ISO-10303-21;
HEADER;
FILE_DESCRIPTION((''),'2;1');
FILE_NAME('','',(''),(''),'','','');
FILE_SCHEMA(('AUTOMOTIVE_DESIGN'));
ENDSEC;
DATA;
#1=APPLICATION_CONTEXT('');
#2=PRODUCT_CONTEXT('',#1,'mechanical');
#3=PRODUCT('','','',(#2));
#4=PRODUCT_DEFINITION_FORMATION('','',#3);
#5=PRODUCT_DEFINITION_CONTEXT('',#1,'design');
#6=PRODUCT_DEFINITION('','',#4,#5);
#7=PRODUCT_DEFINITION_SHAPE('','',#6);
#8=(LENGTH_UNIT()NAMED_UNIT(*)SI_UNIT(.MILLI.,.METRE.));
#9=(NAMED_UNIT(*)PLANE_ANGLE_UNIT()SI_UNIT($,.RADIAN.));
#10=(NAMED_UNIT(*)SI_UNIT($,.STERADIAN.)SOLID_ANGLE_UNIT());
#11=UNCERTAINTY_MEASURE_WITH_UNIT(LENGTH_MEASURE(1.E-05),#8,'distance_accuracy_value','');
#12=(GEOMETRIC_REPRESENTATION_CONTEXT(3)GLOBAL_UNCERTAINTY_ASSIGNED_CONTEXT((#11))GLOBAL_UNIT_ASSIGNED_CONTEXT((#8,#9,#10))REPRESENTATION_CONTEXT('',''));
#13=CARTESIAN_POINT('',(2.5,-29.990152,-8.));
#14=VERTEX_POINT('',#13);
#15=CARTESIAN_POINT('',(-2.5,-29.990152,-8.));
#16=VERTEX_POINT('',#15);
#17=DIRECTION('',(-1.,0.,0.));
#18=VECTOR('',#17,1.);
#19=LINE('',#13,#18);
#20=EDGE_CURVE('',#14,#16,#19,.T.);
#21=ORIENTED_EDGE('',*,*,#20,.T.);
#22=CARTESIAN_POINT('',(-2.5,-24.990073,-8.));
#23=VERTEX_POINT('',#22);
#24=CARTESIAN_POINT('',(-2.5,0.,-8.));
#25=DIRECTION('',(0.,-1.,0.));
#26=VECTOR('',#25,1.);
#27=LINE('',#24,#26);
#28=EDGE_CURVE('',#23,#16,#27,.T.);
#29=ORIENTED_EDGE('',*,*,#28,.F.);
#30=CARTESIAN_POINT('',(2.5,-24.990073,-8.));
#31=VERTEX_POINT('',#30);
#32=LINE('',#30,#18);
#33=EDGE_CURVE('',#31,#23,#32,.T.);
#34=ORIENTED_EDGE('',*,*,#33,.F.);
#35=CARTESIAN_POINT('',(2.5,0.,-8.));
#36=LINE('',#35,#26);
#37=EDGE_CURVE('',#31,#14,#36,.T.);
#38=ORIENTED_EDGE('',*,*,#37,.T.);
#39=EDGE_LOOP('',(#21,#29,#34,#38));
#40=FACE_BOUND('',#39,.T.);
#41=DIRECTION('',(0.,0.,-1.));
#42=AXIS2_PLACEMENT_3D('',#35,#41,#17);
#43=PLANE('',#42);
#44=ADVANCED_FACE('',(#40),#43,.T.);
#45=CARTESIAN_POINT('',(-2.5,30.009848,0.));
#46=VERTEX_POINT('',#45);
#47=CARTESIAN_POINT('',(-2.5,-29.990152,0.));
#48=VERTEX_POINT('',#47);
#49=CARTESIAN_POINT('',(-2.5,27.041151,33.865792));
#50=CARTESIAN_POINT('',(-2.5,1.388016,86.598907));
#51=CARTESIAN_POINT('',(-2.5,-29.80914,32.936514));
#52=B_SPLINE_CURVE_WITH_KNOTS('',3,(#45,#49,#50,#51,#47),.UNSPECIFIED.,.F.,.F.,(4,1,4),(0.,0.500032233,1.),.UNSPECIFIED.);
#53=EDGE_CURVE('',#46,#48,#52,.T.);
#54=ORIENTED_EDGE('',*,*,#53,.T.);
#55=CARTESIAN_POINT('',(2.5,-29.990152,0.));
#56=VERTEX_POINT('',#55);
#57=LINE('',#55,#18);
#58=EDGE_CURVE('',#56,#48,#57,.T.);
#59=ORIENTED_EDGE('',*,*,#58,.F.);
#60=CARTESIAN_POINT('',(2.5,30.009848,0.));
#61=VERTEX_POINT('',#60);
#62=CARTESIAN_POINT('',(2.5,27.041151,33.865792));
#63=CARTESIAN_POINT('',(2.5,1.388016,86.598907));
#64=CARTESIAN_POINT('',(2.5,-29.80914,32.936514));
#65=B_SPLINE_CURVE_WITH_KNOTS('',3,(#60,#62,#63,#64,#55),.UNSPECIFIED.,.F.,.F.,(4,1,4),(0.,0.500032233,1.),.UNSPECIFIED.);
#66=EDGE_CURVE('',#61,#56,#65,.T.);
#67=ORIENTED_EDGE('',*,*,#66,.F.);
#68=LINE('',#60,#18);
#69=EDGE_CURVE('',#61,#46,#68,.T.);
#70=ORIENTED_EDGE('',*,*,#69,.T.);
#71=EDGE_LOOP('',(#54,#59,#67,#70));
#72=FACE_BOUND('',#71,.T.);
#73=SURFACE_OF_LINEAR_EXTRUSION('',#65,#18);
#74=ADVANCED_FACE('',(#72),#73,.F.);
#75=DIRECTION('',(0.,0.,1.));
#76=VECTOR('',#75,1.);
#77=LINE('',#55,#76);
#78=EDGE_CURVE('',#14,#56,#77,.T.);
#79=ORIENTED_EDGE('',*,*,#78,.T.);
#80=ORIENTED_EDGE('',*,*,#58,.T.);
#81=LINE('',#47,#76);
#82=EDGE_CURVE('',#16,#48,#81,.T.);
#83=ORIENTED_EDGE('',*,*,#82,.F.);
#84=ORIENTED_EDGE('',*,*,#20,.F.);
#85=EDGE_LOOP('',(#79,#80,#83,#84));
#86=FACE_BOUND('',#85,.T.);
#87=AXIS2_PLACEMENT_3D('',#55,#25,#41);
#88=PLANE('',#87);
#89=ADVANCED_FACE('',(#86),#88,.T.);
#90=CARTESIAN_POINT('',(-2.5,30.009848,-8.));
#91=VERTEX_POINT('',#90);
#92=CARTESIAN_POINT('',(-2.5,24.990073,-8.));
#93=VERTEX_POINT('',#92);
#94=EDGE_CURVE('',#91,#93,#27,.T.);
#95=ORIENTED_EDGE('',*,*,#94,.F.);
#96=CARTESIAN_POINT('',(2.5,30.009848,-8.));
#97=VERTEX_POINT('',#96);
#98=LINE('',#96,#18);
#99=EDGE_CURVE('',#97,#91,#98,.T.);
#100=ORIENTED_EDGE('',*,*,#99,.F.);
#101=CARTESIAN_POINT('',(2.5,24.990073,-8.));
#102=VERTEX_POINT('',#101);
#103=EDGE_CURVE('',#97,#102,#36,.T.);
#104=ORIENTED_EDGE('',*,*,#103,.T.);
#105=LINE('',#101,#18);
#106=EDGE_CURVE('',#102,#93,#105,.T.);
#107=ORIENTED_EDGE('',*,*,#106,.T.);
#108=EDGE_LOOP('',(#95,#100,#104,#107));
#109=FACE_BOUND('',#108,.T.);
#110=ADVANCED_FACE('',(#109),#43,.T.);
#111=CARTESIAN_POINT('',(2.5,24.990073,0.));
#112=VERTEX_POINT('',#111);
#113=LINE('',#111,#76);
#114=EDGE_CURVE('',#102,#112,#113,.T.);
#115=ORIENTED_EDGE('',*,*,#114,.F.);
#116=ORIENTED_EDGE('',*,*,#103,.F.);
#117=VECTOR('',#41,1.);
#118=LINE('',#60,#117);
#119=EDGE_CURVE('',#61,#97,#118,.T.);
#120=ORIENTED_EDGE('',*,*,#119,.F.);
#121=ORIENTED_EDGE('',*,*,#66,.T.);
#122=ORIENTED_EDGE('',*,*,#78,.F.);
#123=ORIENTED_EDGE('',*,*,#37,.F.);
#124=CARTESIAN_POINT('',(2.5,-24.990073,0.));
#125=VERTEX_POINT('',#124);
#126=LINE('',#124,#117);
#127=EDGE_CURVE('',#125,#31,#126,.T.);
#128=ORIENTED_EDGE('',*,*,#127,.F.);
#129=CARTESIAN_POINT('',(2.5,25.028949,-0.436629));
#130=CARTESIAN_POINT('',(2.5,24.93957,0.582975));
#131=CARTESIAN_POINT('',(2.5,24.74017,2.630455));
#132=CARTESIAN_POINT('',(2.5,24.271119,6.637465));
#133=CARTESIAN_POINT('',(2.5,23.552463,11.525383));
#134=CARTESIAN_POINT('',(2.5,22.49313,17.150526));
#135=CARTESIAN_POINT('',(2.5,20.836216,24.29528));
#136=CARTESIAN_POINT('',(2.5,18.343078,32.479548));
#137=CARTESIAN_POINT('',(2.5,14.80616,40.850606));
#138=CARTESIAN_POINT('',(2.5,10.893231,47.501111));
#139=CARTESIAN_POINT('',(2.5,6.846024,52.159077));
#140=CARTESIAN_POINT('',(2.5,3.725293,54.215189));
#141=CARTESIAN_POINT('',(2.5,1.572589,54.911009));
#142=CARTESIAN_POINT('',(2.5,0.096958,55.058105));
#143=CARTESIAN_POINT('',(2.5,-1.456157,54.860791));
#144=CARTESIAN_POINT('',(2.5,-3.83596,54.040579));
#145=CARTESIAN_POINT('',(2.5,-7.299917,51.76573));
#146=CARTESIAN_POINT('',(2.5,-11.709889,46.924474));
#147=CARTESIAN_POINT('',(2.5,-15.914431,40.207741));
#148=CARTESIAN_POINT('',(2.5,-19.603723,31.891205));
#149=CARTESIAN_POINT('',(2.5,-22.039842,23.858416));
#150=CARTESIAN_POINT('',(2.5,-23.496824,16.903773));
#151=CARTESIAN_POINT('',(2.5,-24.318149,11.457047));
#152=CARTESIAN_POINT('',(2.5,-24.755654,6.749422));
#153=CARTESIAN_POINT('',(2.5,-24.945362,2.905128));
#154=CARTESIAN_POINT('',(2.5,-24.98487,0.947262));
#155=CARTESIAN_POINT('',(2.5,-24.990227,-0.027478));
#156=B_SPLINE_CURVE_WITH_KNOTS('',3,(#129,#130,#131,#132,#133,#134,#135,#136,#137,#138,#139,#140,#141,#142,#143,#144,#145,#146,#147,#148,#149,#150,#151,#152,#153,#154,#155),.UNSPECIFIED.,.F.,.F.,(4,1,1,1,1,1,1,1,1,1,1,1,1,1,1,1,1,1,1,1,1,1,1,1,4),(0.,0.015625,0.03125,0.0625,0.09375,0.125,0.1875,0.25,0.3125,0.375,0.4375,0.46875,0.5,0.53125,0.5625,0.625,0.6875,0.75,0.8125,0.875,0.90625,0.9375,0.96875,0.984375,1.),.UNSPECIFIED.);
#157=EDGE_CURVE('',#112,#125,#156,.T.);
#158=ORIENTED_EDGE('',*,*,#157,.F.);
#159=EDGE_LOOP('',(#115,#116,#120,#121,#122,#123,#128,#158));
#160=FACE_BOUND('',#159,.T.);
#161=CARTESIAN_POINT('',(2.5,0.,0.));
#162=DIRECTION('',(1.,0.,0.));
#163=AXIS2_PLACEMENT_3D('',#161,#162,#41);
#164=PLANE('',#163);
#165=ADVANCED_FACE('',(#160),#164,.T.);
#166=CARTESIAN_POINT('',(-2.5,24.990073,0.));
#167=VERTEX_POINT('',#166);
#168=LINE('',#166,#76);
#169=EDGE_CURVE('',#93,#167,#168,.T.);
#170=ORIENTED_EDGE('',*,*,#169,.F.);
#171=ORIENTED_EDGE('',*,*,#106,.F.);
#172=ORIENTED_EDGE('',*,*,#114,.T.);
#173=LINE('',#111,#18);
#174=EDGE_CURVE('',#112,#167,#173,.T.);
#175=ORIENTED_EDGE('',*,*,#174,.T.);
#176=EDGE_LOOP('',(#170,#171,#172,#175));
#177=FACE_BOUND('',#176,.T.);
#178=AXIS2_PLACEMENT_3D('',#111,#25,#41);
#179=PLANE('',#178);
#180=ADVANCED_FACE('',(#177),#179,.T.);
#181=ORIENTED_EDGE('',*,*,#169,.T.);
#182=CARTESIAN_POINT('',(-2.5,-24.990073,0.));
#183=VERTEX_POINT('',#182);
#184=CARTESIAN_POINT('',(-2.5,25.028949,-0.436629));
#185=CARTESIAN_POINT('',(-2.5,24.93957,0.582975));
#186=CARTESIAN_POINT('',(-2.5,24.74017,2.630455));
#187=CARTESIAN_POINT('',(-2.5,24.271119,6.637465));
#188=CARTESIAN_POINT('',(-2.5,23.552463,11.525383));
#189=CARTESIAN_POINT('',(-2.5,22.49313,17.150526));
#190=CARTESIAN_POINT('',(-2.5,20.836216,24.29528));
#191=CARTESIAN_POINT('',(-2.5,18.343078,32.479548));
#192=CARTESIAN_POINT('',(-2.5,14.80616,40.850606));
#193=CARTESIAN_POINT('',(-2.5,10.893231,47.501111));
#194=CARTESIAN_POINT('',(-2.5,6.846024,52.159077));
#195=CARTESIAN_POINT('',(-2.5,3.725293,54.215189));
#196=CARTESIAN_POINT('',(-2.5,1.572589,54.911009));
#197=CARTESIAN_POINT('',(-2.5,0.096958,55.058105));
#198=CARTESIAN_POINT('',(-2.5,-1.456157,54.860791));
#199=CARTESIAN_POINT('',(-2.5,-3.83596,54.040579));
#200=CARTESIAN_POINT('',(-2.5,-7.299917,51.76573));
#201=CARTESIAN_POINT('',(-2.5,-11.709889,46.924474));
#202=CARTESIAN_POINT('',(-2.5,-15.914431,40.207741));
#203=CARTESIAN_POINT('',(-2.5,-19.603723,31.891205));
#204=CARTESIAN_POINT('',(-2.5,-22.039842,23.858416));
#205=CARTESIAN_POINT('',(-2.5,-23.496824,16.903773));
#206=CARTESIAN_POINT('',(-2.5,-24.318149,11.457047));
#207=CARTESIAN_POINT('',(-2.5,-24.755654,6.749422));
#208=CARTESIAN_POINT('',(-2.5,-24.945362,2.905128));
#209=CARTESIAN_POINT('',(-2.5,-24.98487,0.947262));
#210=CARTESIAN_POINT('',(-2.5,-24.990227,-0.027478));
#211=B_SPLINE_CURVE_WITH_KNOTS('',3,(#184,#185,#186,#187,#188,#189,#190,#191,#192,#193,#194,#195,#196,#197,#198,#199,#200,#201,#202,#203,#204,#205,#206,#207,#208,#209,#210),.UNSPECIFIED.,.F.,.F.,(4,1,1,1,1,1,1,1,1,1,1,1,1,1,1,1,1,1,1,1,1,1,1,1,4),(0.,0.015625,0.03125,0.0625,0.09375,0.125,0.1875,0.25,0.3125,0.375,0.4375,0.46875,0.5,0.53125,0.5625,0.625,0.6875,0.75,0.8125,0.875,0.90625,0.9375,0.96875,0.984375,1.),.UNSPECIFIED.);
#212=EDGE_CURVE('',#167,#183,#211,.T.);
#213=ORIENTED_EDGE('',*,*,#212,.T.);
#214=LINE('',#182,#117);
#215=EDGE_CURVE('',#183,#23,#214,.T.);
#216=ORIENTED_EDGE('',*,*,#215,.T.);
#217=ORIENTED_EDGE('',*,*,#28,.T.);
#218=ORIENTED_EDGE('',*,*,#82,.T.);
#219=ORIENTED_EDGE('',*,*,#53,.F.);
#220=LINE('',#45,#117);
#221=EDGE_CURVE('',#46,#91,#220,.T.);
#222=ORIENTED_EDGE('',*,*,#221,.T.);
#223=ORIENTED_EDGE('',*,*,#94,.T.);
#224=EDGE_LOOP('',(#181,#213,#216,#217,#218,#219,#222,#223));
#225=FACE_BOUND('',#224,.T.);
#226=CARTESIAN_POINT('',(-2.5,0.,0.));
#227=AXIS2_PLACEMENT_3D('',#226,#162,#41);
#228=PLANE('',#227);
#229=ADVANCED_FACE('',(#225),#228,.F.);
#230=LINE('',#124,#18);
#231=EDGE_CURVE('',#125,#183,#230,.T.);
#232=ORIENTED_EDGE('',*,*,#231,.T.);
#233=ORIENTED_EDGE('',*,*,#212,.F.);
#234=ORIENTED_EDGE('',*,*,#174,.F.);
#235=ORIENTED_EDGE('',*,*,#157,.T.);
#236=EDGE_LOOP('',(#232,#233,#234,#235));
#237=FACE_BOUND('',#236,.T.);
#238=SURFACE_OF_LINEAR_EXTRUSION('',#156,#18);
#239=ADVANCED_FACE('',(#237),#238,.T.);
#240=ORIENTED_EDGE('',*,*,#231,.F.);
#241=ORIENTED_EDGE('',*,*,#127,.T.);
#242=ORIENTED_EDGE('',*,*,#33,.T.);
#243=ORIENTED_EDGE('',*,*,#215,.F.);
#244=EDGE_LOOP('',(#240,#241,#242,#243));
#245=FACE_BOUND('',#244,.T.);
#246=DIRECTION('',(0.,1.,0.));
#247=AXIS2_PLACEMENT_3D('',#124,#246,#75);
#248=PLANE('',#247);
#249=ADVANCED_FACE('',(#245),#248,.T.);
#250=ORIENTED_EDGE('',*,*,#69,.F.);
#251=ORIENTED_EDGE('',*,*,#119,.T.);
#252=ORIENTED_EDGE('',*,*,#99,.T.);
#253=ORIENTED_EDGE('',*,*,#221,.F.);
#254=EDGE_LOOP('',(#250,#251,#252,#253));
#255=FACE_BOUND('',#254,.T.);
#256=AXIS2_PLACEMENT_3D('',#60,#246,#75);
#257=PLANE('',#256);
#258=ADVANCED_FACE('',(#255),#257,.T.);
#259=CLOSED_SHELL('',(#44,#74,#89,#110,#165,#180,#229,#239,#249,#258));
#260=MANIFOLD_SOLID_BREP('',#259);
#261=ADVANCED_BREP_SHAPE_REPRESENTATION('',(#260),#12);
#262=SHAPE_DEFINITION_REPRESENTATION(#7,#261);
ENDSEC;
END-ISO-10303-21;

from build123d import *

# Parameters (mm, degrees)
SKETCH1_W           = 8
SKETCH1_H           = 5.019775665
SKETCH1_H_2         = 5.000079271
BOSS_EXTRUDE1_DEPTH = 2.5


with BuildPart() as part:
    # Sketch1 → Boss-Extrude1 (new, symmetric)
    with BuildSketch(Plane(origin=(0, 0, 0), x_dir=(0, 0, -1), z_dir=(1, 0, 0))):
        with Locations((4, 27.499960365)):
            Rectangle(SKETCH1_W, SKETCH1_H)
        with BuildLine():
            Line((0, 24.990072532), (0, 30.009848197))
            add(Edge.make_bspline(
                [(0, 30.009848197), (-33.86579225, 27.041150989), (-86.598907035, 1.388015973), (-32.936513937, -29.809139945), (0, -29.990151803)],
                knots=[0, 0, 0, 0, 0.500032233, 1, 1, 1, 1], degree=3))
            Line((0, -29.990151803), (0, -24.990072532))
            add(Edge.make_bspline(
                [(0, 24.990072532), (-0.874878037, 24.910941626), (-2.773381276, 24.723439478), (-6.637465037, 24.271119383), (-11.52538346, 23.552462655), (-17.15052597, 22.493130462), (-24.295280127, 20.83621559), (-32.479548288, 18.343078036), (-40.850606179, 14.806160146), (-47.50111078, 10.893230546), (-52.159077464, 6.846024154), (-54.215188723, 3.725292558), (-54.911009064, 1.572589398), (-55.058104509, 0.096957705), (-54.860790714, -1.456156859), (-54.040578596, -3.835959661), (-51.765730232, -7.299916825), (-46.924474198, -11.709889483), (-40.207740933, -15.914430517), (-31.891205185, -19.603723156), (-23.858415521, -22.039842353), (-16.903772623, -23.496824111), (-11.457047295, -24.318148677), (-6.749422146, -24.755653572), (-2.914159138, -24.94491655), (-0.965658494, -24.98449789), (0, -24.990072532)],
                knots=[0.002229315, 0.002229315, 0.002229315, 0.002229315, 0.015625, 0.03125, 0.0625, 0.09375, 0.125, 0.1875, 0.25, 0.3125, 0.375, 0.4375, 0.46875, 0.5, 0.53125, 0.5625, 0.625, 0.6875, 0.75, 0.8125, 0.875, 0.90625, 0.9375, 0.96875, 0.984375, 0.99985318, 0.99985318, 0.99985318, 0.99985318], degree=3))
        make_face()
        with Locations((4, -27.490112168)):
            Rectangle(SKETCH1_W, SKETCH1_H_2)
    extrude(amount=BOSS_EXTRUDE1_DEPTH, both=True)


solid = part.part
